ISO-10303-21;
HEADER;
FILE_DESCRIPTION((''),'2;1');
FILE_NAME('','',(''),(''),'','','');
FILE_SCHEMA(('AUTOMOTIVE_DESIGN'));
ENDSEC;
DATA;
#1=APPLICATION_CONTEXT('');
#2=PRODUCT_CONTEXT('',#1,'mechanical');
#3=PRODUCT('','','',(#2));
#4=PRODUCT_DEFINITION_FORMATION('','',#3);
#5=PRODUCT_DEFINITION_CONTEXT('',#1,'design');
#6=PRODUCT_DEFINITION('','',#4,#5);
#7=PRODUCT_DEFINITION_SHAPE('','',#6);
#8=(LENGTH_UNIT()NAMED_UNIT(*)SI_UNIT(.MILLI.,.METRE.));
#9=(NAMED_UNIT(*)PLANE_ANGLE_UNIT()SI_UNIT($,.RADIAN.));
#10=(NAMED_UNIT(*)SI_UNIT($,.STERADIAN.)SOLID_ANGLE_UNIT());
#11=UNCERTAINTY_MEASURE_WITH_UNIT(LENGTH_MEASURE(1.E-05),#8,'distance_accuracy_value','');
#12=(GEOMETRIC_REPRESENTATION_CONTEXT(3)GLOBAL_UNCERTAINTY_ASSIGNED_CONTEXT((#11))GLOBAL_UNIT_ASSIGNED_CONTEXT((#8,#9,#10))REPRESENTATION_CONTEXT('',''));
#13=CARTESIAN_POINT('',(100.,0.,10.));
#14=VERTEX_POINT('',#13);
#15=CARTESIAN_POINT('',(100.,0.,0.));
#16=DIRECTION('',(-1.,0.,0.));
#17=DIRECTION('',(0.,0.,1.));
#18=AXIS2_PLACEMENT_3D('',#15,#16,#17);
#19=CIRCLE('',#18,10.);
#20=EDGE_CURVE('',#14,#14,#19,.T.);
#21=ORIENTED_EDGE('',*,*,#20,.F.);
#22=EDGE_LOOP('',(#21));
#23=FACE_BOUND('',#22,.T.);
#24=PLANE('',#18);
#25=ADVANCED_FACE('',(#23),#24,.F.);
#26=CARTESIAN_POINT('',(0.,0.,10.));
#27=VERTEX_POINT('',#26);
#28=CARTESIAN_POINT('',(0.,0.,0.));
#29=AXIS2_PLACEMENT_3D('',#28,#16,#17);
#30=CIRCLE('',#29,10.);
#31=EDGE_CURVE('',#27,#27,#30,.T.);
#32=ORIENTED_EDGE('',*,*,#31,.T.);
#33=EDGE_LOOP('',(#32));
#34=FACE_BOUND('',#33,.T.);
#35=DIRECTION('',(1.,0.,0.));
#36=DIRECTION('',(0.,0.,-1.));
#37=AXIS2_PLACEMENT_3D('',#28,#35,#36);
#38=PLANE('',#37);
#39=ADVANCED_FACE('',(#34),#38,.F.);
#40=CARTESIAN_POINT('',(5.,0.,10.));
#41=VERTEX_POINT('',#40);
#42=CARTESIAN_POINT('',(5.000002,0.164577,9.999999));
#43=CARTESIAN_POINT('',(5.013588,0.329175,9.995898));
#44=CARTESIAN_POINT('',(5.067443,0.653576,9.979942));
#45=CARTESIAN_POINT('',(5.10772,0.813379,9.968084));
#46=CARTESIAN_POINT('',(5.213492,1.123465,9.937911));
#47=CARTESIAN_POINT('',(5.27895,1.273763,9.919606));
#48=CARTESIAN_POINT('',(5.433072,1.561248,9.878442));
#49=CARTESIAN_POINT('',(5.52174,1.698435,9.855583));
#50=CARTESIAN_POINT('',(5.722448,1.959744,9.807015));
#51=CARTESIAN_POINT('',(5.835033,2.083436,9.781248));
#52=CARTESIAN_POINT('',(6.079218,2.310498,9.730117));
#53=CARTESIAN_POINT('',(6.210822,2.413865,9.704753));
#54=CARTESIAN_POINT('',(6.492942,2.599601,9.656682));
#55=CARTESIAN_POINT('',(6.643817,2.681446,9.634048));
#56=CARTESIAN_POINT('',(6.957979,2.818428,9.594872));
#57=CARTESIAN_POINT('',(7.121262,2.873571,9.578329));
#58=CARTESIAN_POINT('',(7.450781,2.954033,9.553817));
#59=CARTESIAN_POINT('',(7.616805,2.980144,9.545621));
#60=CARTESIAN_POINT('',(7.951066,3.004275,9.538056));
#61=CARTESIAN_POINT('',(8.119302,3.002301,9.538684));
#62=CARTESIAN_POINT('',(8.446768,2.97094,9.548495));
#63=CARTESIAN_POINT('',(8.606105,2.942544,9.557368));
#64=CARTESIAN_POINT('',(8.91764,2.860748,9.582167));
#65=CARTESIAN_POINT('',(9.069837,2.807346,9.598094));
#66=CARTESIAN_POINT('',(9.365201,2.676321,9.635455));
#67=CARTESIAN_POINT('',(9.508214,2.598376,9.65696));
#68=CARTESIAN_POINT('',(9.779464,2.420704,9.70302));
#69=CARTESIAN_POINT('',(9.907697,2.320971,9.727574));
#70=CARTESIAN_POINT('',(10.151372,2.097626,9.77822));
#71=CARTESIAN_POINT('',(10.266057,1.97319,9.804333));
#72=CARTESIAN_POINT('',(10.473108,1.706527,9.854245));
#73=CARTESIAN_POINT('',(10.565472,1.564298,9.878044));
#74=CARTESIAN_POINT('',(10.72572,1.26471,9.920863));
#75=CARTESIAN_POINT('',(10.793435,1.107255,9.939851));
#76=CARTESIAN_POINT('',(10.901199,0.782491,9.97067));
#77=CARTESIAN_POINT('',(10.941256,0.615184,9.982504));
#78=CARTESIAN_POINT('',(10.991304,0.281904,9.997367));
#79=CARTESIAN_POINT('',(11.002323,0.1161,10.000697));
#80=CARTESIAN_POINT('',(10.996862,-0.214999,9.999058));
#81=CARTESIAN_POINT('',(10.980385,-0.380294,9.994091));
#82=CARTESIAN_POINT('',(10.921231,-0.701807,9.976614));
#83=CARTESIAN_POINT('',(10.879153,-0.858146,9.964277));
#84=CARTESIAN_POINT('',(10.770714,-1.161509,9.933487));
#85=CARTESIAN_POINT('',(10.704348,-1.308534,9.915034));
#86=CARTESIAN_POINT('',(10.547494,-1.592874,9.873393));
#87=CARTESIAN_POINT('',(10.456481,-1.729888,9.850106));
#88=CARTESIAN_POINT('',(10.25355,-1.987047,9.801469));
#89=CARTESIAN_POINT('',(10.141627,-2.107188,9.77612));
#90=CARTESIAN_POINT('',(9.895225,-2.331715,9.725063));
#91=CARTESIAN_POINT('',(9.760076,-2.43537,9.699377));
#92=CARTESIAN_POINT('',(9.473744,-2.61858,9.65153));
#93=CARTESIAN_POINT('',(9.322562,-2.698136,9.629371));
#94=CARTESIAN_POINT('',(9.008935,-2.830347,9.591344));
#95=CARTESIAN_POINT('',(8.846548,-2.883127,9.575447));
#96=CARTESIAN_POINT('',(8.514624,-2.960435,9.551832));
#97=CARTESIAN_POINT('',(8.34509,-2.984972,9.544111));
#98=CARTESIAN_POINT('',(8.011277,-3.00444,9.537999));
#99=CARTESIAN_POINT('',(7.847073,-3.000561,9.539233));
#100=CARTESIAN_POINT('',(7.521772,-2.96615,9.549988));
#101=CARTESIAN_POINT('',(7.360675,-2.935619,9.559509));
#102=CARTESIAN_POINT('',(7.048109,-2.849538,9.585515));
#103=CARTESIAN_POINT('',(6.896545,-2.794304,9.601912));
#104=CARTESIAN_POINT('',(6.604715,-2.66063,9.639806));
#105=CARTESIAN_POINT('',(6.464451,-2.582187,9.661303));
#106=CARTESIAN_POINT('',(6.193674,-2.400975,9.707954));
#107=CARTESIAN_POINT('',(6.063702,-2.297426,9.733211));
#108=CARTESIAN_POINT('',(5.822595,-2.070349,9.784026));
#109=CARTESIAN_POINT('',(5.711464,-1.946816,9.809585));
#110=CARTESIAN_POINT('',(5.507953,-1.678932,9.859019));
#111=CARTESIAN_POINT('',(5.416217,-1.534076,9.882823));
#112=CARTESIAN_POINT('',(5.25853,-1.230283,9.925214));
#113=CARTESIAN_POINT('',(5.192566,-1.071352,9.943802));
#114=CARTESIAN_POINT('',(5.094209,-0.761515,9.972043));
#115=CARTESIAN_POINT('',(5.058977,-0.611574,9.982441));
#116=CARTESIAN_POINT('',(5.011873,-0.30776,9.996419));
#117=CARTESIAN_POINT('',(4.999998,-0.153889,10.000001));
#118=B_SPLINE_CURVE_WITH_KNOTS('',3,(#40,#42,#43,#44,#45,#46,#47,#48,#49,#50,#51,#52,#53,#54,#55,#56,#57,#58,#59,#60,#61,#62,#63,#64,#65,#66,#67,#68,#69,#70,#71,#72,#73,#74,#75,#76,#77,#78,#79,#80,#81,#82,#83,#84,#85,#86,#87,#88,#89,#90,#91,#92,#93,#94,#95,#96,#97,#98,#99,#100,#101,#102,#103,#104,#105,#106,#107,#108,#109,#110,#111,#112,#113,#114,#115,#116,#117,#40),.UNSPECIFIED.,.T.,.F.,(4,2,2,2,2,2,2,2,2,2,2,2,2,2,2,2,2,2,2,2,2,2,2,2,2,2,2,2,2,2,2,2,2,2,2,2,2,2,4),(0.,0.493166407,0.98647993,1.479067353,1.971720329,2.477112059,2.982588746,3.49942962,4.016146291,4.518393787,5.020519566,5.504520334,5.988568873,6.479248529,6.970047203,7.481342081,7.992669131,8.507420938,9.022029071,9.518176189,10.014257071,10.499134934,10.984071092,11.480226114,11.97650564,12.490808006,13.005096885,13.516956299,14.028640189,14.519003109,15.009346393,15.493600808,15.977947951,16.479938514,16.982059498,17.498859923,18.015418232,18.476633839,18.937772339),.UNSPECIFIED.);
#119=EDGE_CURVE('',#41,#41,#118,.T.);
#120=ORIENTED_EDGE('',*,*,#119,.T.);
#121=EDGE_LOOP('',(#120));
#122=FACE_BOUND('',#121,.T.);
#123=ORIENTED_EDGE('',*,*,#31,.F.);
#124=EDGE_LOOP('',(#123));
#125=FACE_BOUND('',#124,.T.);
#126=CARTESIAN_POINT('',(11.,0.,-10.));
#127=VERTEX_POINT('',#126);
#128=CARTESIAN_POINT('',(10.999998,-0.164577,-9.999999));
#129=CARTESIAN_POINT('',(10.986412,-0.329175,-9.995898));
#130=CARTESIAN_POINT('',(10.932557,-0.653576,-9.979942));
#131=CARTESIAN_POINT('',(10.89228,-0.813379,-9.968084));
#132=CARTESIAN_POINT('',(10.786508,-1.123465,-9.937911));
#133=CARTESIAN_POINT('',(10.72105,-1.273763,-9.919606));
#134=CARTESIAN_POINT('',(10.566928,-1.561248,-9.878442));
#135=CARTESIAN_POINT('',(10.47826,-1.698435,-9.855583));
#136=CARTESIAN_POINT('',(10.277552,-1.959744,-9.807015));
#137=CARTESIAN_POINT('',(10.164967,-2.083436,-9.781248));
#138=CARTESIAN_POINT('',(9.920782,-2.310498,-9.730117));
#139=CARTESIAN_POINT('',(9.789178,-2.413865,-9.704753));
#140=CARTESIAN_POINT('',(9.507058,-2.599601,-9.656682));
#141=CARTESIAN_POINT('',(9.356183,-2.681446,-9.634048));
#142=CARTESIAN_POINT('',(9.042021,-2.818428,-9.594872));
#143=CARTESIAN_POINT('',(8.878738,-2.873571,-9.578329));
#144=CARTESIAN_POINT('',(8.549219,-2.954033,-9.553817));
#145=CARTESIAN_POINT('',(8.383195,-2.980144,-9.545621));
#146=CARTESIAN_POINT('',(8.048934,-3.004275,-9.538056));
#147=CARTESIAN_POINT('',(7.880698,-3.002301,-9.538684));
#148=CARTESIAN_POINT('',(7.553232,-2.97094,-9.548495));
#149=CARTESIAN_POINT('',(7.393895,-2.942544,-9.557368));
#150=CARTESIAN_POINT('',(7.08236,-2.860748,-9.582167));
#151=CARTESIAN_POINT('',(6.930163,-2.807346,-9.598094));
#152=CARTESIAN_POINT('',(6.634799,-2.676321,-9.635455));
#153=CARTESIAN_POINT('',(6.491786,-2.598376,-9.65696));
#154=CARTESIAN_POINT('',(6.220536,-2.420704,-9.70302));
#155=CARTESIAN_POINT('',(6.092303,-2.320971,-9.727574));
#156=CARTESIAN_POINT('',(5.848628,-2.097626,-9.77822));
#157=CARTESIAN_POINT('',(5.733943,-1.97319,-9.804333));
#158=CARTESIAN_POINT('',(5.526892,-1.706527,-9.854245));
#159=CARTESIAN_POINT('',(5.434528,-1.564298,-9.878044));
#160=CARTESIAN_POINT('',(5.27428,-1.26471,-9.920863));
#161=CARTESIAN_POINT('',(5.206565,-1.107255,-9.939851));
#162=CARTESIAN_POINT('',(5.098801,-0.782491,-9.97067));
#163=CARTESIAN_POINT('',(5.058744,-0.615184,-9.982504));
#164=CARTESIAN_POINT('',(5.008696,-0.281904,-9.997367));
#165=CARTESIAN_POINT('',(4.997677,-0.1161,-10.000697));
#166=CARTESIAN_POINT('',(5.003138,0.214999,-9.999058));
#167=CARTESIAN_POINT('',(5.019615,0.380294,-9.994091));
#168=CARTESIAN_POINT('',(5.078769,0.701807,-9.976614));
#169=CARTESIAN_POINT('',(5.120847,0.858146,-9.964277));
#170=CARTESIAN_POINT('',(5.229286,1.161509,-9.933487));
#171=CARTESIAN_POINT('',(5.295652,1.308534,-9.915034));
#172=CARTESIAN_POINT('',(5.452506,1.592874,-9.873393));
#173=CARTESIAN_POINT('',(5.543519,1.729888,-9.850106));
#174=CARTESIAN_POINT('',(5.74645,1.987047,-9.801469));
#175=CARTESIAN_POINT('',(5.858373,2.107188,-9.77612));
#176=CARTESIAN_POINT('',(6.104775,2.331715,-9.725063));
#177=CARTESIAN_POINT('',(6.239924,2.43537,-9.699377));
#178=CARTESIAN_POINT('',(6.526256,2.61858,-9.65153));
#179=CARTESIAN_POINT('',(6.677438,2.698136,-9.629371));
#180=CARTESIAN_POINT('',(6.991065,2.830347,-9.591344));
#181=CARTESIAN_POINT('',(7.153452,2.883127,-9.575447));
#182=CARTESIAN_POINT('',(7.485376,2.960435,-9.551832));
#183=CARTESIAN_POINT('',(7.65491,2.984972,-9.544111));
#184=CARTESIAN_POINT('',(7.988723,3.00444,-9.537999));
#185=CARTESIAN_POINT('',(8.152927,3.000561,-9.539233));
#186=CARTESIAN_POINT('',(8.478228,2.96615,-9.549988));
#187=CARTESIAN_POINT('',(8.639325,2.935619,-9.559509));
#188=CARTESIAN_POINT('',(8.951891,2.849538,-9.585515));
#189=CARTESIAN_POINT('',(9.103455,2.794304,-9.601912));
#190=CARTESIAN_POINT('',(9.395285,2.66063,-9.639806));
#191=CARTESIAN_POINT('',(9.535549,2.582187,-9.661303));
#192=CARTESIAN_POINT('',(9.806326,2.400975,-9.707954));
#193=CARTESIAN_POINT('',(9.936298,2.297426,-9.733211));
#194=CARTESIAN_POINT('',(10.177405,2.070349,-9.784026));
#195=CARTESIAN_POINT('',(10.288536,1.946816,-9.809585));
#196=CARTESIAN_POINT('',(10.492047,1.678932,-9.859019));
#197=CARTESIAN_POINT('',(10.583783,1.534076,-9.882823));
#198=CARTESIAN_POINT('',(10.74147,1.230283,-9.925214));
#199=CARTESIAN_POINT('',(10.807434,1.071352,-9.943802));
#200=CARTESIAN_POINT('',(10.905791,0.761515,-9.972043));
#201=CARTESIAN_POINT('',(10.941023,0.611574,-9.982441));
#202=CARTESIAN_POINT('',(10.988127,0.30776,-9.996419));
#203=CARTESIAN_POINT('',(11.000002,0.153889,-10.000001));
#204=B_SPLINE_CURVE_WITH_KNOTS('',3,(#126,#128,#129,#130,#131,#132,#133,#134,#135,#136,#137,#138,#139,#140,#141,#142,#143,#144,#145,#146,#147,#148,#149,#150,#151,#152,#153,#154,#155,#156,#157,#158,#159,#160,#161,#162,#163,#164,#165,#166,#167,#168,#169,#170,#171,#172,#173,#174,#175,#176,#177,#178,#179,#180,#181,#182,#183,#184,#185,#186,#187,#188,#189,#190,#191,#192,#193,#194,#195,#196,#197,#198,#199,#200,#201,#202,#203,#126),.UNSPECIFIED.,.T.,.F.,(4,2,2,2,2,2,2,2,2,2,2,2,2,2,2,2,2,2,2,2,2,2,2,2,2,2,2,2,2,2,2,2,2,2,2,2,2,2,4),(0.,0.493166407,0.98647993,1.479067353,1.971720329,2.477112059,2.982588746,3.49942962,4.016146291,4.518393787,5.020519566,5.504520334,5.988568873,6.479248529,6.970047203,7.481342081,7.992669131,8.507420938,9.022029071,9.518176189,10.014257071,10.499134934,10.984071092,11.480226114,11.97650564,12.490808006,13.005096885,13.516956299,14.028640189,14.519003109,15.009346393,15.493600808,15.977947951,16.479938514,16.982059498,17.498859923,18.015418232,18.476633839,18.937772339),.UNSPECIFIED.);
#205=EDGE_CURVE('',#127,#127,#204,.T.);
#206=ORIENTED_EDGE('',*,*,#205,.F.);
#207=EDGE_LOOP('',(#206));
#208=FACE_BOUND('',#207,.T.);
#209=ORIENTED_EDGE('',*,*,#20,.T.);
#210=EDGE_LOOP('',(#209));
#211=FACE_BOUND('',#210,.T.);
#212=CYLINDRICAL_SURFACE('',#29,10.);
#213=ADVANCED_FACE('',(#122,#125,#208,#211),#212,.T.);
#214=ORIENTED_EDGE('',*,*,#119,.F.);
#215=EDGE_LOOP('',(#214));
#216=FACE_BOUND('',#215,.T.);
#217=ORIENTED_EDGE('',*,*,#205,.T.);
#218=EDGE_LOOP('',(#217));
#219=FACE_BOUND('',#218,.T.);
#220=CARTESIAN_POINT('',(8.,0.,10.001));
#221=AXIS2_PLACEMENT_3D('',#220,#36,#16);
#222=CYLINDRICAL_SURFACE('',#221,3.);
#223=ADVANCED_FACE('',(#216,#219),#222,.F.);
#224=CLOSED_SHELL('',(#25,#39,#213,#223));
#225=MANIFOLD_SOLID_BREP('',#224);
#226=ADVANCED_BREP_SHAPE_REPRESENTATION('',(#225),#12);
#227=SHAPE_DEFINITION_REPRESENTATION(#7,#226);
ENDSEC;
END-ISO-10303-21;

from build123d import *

# Parameters (mm, degrees)
SKIZZE1_W                                   = 100
SKIZZE1_H                                   = 10
SCHNITT_LINEAR_AUSTRAGEN1_REACH             = 12
SKIZZE2_R                                   = 3
SCHNITT_LINEAR_AUSTRAGEN1_DIRECTION_2_REACH = 12


with BuildPart() as part:
    # Skizze1 → Rotation1 (revolve)
    with BuildSketch(Plane.XY):
        with Locations((50, 5)):
            Rectangle(SKIZZE1_W, SKIZZE1_H)
    revolve(axis=Axis((0, 0, 0), (1, 0, 0)))

    # Skizze2 → Schnitt-Linear austragen1 (cut, up to next)
    with BuildSketch(Plane.XY, mode=Mode.PRIVATE) as schnitt_linear_austragen1_sk1:
        with Locations((8, 0)):
            Circle(SKIZZE2_R)
    schnitt_linear_austragen1_tool1 = extrude(schnitt_linear_austragen1_sk1.sketch, amount=-SCHNITT_LINEAR_AUSTRAGEN1_REACH, mode=Mode.PRIVATE) & part.part
    add(schnitt_linear_austragen1_tool1.solids().sort_by_distance((8, 0, 0))[0], mode=Mode.SUBTRACT)

    # Skizze2 → Schnitt-Linear austragen1 direction 2 (cut, up to next)
    with BuildSketch(Plane.XY, mode=Mode.PRIVATE) as schnitt_linear_austragen1_direction_2_sk1:
        with Locations((8, 0)):
            Circle(SKIZZE2_R)
    schnitt_linear_austragen1_direction_2_tool1 = extrude(schnitt_linear_austragen1_direction_2_sk1.sketch, amount=SCHNITT_LINEAR_AUSTRAGEN1_DIRECTION_2_REACH, mode=Mode.PRIVATE) & part.part
    add(schnitt_linear_austragen1_direction_2_tool1.solids().sort_by_distance((8, 0, 0))[0], mode=Mode.SUBTRACT)


solid = part.part
